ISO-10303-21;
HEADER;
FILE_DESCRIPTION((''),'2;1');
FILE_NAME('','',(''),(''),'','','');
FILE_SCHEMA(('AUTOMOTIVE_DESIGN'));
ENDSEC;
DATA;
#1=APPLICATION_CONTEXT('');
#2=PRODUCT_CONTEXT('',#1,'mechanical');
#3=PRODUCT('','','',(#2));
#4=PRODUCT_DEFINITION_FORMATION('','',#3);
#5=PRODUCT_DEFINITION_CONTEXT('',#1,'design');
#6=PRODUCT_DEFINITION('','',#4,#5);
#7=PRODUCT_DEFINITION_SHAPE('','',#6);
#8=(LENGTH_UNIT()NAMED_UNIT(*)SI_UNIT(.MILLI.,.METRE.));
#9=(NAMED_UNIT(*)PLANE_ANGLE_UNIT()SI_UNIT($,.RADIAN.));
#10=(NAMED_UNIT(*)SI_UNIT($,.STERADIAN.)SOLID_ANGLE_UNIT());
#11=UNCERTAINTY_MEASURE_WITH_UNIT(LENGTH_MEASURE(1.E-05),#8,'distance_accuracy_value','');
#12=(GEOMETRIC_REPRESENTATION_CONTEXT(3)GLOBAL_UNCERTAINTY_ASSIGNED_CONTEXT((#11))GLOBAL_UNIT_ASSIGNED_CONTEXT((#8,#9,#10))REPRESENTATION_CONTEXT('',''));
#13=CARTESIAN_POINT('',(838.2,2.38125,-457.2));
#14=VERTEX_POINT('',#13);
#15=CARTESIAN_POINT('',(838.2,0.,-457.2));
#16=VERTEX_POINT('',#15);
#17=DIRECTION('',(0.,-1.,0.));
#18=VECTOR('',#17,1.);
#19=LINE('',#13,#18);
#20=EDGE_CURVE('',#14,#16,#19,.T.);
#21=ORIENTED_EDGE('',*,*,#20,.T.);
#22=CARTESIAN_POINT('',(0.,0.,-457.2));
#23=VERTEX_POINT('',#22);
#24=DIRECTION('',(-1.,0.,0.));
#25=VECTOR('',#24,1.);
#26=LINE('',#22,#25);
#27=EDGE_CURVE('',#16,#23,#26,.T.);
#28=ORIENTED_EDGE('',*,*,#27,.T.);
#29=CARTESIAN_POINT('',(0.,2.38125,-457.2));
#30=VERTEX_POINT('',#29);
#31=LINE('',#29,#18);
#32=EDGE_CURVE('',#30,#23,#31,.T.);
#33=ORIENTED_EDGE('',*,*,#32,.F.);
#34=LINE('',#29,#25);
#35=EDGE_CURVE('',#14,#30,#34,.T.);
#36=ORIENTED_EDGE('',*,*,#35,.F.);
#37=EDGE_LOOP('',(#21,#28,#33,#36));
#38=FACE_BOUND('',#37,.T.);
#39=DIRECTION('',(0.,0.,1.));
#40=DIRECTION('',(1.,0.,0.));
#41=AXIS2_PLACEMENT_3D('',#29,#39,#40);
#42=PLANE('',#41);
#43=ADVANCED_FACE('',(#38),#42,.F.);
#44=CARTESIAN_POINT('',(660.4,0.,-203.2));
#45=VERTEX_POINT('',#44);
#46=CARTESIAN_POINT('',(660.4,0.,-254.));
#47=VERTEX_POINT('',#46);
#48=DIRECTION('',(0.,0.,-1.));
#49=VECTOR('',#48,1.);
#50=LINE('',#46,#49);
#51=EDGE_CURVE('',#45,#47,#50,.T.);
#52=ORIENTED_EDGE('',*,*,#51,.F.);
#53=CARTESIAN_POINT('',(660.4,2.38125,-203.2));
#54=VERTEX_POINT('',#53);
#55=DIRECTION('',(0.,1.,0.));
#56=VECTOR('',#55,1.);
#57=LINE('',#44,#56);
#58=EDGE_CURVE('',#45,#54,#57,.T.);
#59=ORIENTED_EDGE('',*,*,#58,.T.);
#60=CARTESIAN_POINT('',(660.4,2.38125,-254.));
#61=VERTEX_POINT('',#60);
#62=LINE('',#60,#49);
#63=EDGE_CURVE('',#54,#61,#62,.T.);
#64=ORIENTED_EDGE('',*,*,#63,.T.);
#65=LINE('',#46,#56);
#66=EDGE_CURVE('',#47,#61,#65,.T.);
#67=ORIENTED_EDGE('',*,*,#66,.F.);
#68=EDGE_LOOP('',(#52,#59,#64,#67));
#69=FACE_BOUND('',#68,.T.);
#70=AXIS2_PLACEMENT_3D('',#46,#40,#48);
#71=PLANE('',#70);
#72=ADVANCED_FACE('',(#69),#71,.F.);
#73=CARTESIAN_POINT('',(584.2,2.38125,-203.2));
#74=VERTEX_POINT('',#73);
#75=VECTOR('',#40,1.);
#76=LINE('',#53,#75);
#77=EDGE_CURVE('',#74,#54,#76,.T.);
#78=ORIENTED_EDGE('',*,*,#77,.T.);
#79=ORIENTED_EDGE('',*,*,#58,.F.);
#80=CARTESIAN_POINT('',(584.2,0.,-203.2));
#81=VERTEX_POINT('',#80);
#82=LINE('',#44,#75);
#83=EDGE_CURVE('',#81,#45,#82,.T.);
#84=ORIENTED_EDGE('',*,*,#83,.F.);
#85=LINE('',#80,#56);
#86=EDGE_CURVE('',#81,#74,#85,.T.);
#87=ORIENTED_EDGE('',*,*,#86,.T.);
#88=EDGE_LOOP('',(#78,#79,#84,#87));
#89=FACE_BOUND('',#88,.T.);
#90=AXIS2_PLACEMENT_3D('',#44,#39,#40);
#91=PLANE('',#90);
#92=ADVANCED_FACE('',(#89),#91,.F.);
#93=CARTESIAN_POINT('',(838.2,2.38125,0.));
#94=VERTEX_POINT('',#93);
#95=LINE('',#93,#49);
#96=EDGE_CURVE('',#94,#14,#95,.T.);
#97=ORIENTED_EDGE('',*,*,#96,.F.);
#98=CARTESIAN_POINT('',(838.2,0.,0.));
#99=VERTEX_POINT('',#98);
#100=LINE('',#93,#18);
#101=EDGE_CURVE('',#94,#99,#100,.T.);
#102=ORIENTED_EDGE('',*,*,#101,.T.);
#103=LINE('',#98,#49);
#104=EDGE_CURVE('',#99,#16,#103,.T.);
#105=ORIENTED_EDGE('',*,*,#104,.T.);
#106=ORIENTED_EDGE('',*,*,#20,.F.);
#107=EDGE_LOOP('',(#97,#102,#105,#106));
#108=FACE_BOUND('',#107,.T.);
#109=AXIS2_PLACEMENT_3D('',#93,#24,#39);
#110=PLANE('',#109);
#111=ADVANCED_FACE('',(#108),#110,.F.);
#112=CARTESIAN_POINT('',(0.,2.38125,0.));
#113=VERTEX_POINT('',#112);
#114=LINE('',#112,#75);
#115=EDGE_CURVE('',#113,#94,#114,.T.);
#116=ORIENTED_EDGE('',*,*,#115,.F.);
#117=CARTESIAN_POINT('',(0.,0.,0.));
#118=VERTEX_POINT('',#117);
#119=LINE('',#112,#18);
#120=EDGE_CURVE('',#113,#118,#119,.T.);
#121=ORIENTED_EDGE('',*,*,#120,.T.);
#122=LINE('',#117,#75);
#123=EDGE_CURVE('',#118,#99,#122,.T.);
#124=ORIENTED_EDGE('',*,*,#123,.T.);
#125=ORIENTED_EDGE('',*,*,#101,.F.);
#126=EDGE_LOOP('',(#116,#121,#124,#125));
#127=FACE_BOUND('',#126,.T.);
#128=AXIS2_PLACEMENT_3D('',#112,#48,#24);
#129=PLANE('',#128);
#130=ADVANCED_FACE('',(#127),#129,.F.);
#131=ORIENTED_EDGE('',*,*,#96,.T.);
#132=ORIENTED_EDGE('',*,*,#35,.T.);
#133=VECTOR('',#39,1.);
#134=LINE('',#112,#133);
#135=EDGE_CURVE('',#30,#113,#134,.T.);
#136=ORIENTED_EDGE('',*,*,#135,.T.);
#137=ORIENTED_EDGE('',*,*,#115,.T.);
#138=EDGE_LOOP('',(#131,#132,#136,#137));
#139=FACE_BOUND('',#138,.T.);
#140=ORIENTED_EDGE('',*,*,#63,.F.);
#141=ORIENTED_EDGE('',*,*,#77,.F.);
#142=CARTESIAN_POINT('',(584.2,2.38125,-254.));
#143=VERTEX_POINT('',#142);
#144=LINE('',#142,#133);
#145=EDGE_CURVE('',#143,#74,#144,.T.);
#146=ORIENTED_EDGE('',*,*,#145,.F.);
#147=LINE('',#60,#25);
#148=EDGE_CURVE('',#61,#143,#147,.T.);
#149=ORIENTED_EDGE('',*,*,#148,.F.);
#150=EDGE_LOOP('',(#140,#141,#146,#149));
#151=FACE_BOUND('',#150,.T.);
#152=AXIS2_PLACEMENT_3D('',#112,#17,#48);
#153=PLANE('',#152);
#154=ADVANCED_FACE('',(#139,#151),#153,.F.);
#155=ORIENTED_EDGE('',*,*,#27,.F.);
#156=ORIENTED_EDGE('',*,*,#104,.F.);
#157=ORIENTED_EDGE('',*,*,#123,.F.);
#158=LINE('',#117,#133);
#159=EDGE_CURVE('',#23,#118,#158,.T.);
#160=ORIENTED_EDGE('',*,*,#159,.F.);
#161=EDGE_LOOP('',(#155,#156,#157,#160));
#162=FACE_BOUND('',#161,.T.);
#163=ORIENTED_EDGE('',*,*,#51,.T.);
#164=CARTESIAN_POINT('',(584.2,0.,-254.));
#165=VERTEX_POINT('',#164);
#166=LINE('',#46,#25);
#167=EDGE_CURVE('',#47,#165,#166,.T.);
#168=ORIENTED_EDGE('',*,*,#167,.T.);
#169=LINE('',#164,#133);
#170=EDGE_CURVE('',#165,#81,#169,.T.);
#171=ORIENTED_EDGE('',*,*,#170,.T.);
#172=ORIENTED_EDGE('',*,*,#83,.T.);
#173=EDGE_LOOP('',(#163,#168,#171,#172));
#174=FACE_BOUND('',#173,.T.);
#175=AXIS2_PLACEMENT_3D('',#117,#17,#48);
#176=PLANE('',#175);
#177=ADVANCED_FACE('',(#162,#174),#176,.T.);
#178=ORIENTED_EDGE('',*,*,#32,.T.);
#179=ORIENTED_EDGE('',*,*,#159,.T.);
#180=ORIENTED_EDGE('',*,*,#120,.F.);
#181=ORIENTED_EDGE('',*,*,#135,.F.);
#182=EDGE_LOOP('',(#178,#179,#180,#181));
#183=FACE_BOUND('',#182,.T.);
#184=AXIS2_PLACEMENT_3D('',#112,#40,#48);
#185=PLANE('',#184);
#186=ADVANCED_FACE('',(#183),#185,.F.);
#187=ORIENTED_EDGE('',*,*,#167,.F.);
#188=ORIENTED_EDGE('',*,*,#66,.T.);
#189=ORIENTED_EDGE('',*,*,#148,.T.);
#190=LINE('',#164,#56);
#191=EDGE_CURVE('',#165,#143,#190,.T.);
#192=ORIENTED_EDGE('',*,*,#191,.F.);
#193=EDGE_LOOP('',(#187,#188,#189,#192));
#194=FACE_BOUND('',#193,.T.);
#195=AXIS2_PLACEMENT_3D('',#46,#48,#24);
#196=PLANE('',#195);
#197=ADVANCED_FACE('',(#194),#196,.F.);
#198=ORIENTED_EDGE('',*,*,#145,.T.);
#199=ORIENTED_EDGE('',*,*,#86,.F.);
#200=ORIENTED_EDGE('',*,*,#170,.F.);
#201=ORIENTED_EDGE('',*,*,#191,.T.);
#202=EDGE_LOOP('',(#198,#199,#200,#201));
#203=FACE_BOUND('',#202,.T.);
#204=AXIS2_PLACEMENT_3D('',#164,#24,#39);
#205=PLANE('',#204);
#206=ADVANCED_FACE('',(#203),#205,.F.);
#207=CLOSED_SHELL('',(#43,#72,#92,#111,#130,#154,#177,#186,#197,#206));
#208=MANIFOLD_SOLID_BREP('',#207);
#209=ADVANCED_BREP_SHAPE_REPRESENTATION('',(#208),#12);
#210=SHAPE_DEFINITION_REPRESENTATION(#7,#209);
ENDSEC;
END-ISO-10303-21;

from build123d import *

# Parameters (mm, degrees)
SKETCH1_W           = 838.2
SKETCH1_H           = 457.2
BOSS_EXTRUDE1_DEPTH = 2.38125
SKETCH3_W           = 76.2
SKETCH3_H           = 50.8
CUT_EXTRUDE1_DEPTH  = 955.786232804


with BuildPart() as part:
    # Sketch1 → Boss-Extrude1 (new body)
    with BuildSketch(Plane(origin=(0, 0, 0), x_dir=(1, 0, 0), z_dir=(0, 1, 0))):
        with Locations((419.1, 228.6)):
            Rectangle(SKETCH1_W, SKETCH1_H)
    extrude(amount=BOSS_EXTRUDE1_DEPTH)

    # Sketch3 → Cut-Extrude1 (cut, through all)
    with BuildSketch(Plane(origin=(0, 2.38125, 0), x_dir=(1, 0, 0), z_dir=(0, 1, 0))):
        with Locations((622.3, 228.6)):
            Rectangle(SKETCH3_W, SKETCH3_H)
    extrude(amount=-CUT_EXTRUDE1_DEPTH, mode=Mode.SUBTRACT)


solid = part.part
